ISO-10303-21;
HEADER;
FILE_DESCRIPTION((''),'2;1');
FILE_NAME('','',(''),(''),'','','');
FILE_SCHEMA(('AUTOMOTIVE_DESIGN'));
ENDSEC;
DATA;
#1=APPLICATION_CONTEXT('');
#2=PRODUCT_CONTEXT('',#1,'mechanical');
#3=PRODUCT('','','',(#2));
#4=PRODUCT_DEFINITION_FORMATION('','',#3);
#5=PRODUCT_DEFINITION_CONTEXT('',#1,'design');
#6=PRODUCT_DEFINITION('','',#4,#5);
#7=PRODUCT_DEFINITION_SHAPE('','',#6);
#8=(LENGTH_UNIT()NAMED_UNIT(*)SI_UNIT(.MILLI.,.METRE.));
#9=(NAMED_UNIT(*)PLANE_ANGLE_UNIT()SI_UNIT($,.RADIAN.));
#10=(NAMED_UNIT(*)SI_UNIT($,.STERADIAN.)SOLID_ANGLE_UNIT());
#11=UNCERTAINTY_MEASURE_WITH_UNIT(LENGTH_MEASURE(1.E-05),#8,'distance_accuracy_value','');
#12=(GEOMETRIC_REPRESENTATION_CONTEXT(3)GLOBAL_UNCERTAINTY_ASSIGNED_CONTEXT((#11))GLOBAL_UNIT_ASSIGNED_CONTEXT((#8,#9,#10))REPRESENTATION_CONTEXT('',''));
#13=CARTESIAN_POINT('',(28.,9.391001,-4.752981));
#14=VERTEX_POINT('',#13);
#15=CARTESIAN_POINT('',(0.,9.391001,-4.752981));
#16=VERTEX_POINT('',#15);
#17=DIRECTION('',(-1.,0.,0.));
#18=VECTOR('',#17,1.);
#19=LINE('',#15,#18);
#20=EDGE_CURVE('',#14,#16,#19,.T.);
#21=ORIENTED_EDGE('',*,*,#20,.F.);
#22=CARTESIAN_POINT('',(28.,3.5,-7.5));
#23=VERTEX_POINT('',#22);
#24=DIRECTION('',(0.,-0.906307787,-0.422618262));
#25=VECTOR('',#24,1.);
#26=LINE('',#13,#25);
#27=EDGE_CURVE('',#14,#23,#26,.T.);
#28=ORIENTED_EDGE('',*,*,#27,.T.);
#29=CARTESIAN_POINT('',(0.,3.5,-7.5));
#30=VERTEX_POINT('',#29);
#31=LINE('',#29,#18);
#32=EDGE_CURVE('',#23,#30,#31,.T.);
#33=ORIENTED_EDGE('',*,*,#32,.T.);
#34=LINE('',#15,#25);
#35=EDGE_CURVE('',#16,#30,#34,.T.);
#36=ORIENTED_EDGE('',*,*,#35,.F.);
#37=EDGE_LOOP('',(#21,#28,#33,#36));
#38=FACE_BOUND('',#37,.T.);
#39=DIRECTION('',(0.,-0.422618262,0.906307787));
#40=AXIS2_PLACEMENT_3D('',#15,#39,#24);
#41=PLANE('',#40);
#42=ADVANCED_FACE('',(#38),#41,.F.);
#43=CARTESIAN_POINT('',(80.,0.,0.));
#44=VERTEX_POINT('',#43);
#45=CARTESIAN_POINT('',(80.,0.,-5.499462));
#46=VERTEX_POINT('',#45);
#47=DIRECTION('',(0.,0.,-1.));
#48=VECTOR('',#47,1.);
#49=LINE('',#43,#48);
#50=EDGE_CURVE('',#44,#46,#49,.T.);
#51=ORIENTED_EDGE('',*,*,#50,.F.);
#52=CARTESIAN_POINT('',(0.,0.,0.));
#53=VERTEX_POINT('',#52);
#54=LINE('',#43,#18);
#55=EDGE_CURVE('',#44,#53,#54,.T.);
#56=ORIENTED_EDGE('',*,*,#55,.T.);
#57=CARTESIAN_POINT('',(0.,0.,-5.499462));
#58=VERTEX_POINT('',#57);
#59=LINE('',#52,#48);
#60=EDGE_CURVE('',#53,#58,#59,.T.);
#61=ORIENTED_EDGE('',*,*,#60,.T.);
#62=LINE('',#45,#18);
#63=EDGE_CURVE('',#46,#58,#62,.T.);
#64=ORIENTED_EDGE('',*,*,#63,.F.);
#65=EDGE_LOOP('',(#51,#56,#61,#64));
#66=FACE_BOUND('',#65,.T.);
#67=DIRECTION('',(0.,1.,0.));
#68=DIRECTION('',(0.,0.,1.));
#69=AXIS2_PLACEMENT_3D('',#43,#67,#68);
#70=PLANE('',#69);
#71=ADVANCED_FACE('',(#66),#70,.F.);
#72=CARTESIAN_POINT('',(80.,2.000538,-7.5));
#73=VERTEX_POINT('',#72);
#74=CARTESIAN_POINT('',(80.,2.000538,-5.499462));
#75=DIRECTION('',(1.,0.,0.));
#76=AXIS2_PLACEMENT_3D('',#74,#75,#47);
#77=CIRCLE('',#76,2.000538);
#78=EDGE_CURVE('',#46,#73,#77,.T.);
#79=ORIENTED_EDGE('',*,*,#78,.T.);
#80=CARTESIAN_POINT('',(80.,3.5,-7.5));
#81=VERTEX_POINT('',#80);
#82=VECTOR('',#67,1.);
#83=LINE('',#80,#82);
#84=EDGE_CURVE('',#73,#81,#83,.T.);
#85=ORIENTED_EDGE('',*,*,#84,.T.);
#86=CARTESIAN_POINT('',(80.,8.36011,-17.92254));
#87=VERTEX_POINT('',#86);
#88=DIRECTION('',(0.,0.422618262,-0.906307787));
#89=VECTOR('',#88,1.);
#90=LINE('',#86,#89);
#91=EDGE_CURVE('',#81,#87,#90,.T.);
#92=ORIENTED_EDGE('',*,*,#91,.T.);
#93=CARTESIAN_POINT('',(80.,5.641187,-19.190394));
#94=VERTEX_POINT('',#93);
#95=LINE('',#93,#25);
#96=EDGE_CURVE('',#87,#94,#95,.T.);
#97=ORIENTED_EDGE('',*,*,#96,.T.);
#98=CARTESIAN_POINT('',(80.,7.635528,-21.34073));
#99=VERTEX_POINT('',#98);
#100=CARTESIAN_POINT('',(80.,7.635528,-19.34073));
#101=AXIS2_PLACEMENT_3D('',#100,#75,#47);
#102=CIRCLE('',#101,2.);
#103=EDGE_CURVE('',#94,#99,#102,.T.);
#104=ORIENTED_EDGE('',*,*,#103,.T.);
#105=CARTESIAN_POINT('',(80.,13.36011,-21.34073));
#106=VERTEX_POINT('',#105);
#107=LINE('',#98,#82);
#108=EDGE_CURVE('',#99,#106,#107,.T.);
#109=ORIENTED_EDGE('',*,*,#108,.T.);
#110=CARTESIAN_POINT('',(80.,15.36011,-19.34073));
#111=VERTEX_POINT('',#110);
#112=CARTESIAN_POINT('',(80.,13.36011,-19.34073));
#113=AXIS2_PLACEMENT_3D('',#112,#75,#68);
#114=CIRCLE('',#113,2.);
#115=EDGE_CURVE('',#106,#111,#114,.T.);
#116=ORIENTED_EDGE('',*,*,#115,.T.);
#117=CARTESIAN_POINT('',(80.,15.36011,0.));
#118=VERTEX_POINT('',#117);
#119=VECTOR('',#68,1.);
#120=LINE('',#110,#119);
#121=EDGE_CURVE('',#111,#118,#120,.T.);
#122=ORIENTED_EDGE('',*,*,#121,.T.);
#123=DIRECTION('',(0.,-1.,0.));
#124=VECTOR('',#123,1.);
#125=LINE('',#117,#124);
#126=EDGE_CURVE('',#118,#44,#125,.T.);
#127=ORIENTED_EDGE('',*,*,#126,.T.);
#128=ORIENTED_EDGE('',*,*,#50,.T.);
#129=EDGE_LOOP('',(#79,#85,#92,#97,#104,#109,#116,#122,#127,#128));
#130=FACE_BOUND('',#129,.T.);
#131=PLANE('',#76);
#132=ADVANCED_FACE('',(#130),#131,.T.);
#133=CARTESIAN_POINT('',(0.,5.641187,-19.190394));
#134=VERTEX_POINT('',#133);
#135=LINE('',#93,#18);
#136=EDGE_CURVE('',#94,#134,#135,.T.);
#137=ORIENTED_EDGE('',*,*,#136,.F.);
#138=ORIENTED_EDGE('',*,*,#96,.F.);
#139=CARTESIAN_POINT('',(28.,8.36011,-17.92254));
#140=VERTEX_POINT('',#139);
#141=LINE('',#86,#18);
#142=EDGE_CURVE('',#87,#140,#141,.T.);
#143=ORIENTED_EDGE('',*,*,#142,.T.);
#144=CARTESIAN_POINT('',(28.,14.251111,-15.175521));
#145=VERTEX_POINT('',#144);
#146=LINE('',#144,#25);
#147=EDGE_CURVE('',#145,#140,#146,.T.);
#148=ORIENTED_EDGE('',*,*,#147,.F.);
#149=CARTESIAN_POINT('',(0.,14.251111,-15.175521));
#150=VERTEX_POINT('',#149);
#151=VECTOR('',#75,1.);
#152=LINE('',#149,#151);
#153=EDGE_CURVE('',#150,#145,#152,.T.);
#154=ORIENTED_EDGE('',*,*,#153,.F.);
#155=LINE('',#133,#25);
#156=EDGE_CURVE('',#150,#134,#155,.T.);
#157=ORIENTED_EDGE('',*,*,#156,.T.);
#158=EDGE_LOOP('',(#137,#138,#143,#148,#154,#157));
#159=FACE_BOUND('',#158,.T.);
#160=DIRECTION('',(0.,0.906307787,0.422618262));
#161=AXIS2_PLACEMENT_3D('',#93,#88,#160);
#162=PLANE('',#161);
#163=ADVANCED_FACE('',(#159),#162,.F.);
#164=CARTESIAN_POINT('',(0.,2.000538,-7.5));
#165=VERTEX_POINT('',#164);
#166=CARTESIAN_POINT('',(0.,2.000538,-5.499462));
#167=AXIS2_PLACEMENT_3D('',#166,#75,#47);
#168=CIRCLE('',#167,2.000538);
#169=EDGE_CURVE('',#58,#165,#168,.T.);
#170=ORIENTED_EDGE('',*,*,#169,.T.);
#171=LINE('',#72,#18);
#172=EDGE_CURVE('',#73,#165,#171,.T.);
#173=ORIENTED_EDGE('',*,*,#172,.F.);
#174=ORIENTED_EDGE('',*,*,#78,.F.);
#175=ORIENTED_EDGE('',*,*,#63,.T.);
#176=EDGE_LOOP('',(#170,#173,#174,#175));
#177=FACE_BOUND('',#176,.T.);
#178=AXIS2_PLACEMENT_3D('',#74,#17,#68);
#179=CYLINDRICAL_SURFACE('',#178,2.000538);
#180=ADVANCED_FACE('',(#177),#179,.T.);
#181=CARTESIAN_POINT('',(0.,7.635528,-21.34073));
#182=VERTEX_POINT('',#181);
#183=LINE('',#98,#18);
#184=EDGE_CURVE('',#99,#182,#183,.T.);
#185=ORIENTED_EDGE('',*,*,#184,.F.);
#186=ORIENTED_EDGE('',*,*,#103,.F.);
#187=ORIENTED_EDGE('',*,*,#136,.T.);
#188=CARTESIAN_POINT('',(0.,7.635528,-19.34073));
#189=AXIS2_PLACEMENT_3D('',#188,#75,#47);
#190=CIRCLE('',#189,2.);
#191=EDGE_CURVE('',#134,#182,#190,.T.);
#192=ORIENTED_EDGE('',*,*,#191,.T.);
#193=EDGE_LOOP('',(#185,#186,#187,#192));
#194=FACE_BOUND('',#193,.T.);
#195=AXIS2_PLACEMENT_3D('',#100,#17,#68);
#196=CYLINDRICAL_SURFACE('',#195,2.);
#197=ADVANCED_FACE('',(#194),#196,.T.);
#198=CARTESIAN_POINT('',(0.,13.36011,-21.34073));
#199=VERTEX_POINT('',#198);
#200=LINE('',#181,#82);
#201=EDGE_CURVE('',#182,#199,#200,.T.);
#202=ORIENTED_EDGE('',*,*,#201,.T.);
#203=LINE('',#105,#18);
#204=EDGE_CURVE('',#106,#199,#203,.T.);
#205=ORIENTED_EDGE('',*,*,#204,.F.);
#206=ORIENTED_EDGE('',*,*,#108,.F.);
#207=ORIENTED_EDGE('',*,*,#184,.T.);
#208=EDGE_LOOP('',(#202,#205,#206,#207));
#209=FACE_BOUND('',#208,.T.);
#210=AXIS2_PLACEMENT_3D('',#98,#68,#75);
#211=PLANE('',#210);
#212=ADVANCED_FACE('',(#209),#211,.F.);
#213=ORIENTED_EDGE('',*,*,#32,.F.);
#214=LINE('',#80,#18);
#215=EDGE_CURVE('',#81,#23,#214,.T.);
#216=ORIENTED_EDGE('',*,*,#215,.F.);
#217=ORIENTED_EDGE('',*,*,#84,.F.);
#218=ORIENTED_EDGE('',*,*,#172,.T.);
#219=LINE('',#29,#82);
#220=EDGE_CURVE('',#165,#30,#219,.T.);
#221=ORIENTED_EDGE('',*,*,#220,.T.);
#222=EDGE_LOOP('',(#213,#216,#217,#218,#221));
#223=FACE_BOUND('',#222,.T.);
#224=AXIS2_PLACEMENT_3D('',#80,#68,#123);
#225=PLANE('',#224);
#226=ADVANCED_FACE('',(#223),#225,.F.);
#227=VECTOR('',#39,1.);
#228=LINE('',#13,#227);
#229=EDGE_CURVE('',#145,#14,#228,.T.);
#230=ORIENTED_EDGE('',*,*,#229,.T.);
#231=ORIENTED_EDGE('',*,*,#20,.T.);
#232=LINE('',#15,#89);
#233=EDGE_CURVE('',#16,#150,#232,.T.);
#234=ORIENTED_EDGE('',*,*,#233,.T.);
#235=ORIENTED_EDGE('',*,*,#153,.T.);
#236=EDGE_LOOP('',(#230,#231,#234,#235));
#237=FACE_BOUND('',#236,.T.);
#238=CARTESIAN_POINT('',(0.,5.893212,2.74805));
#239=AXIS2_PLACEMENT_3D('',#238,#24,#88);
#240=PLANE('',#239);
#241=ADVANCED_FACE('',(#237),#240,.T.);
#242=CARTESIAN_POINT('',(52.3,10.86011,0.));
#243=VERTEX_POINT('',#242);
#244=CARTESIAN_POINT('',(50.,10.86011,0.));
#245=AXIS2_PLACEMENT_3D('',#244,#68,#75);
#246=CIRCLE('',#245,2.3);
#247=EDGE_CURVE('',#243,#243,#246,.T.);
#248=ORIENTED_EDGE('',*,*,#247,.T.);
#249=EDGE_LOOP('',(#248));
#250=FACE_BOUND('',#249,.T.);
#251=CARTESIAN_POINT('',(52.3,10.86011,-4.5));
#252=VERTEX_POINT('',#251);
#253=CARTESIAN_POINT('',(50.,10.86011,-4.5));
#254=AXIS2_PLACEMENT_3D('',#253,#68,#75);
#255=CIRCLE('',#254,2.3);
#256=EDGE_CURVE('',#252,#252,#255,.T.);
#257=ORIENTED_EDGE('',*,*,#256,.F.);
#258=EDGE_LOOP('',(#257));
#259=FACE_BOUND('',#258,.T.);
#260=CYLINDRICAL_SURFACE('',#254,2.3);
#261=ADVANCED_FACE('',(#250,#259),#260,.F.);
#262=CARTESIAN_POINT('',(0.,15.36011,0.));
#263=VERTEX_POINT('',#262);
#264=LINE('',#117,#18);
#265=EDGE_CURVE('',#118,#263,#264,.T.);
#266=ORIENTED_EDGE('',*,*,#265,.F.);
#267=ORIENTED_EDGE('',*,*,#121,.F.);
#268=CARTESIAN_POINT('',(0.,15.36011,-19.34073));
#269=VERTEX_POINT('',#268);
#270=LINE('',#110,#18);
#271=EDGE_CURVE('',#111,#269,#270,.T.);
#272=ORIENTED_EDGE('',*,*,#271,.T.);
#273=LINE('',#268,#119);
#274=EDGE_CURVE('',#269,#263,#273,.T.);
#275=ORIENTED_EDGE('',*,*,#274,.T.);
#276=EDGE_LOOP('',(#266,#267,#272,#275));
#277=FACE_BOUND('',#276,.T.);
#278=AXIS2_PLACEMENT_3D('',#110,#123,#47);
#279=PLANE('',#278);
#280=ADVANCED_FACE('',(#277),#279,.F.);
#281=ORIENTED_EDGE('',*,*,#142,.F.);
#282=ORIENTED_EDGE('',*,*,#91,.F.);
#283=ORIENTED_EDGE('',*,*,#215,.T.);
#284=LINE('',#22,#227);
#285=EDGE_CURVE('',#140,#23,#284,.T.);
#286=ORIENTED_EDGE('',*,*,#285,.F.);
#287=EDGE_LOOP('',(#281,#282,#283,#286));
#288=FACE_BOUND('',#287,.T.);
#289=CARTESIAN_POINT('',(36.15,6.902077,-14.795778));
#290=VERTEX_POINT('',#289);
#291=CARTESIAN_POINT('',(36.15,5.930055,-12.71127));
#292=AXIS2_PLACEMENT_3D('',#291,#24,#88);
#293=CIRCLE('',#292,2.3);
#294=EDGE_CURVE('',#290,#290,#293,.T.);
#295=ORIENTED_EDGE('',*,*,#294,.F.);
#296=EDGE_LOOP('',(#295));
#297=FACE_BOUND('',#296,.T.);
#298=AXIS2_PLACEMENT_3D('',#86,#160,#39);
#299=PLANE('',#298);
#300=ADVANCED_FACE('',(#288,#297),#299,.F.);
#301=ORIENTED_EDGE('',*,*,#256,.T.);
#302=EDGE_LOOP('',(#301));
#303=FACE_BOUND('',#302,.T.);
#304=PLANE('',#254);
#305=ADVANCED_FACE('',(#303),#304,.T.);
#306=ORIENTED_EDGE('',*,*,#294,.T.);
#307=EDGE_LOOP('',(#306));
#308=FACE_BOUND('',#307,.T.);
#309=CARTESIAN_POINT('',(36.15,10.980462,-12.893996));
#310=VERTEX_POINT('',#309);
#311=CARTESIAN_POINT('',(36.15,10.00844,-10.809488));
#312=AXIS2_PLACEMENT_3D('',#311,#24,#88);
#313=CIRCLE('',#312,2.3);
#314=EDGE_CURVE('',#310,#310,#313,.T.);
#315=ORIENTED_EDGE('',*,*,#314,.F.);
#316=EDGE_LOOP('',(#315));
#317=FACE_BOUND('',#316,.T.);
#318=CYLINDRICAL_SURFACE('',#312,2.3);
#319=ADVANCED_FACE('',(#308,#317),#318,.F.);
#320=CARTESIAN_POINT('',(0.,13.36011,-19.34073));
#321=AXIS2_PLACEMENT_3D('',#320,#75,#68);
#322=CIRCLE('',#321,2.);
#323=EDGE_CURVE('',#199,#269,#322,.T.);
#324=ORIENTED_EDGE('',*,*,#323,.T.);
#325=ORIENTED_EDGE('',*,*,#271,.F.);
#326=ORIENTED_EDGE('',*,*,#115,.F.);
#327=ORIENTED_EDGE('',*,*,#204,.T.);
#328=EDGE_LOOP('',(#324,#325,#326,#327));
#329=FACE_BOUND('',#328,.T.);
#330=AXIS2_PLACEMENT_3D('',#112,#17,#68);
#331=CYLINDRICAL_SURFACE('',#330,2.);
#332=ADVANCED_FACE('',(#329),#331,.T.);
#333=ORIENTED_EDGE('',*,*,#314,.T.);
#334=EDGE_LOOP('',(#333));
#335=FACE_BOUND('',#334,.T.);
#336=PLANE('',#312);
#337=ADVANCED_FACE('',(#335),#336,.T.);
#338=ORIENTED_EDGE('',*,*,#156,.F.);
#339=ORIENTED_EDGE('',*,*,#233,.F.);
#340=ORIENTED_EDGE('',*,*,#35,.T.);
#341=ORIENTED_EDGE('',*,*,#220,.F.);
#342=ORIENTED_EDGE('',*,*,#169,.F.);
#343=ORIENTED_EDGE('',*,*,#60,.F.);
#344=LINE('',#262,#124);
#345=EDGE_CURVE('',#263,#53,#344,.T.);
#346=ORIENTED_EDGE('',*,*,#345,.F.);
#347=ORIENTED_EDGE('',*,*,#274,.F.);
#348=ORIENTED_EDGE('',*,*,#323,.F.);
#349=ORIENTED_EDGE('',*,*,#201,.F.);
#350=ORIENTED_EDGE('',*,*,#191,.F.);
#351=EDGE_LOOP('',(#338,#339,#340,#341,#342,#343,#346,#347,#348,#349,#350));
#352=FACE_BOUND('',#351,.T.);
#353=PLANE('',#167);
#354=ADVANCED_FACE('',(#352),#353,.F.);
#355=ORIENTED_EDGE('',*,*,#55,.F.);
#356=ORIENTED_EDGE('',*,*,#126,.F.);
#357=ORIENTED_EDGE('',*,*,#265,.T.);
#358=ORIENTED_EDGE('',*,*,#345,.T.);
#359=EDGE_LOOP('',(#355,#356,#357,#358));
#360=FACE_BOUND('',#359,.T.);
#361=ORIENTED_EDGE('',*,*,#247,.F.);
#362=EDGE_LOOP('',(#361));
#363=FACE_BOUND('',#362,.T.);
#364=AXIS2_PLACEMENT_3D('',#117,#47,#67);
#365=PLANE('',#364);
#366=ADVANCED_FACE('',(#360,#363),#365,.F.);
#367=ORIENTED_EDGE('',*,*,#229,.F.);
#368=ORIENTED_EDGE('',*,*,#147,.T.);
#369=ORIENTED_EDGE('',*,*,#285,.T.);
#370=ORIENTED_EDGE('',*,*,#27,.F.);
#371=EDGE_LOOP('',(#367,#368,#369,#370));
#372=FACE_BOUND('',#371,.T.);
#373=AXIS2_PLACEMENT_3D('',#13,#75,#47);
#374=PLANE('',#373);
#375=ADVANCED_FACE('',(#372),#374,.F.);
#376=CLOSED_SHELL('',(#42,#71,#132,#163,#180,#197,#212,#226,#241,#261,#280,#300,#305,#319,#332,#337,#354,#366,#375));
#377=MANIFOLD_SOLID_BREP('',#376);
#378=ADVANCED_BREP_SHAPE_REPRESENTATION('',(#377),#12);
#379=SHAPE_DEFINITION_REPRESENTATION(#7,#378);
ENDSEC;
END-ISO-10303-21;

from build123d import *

# Parameters (mm, degrees)
PROFILEBOSS_EXTRUDE1_DEPTH           = 80
SKETCH2_R                            = 2.3
LEDSTRIPMOUNTHOLESCUT_EXTRUDE1_DEPTH = 4.5
SKETCH4_W                            = 28
SKETCH4_H                            = 11.5
POWERCONNECTORCUT_EXTRUDE4_DEPTH     = 6.5
SKETCH3_R                            = 2.3
MOUNTINGHOLESCUT_EXTRUDE3_DEPTH      = 4.5


with BuildPart() as part:
    # Sketch1 → ProfileBoss-Extrude1 (new body)
    with BuildSketch(Plane(origin=(0, 0, 0), x_dir=(0, 0, -1), z_dir=(1, 0, 0))):
        with BuildLine():
            Line((0, 0), (5.499461553, 0))
            ThreePointArc((5.499461553, 0), (6.914055855, 0.585944145), (7.5, 2.000538447))
            Line((7.5, 2.000538447), (7.5, 3.5))
            Line((7.5, 3.5), (17.922539551, 8.36011001))
            Line((17.922539551, 8.36011001), (19.190394336, 5.641186649))
            ThreePointArc((19.190394336, 5.641186649), (20.700753359, 6.16912635), (21.340729536, 7.635528477))
            Line((21.340729536, 7.635528477), (21.340729536, 13.36011001))
            ThreePointArc((21.340729536, 13.36011001), (20.754943098, 14.774323572), (19.340729536, 15.36011001))
            Line((19.340729536, 15.36011001), (0, 15.36011001))
            Line((0, 15.36011001), (0, 0))
        make_face()
    extrude(amount=PROFILEBOSS_EXTRUDE1_DEPTH)

    # Sketch2 → LedStripMountHolesCut-Extrude1 (cut)
    with BuildSketch(Plane(origin=(0, 0.002211655, 0.001031312), x_dir=(1, 0, 0), z_dir=(0, -0.906307787036651, -0.4226182617406973))):
        with Locations(Location((36.15, -14.026472319, 0), (0, 0, 270))):
            Circle(SKETCH2_R)
    extrude(amount=-LEDSTRIPMOUNTHOLESCUT_EXTRUDE1_DEPTH, mode=Mode.SUBTRACT)

    # Sketch4 → PowerConnectorCut-Extrude4 (cut)
    with BuildSketch(Plane(origin=(0, 0.002211655, 0.001031312), x_dir=(1, 0, 0), z_dir=(0, -0.906307787036651, -0.4226182617406973))):
        with Locations((14, -14.026472319)):
            Rectangle(SKETCH4_W, SKETCH4_H)
    extrude(amount=-POWERCONNECTORCUT_EXTRUDE4_DEPTH, mode=Mode.SUBTRACT)

    # Sketch3 → MountingHolesCut-Extrude3 (cut)
    with BuildSketch(Plane.XY):
        with Locations((50, 10.86011001)):
            Circle(SKETCH3_R)
    extrude(amount=-MOUNTINGHOLESCUT_EXTRUDE3_DEPTH, mode=Mode.SUBTRACT)


solid = part.part
